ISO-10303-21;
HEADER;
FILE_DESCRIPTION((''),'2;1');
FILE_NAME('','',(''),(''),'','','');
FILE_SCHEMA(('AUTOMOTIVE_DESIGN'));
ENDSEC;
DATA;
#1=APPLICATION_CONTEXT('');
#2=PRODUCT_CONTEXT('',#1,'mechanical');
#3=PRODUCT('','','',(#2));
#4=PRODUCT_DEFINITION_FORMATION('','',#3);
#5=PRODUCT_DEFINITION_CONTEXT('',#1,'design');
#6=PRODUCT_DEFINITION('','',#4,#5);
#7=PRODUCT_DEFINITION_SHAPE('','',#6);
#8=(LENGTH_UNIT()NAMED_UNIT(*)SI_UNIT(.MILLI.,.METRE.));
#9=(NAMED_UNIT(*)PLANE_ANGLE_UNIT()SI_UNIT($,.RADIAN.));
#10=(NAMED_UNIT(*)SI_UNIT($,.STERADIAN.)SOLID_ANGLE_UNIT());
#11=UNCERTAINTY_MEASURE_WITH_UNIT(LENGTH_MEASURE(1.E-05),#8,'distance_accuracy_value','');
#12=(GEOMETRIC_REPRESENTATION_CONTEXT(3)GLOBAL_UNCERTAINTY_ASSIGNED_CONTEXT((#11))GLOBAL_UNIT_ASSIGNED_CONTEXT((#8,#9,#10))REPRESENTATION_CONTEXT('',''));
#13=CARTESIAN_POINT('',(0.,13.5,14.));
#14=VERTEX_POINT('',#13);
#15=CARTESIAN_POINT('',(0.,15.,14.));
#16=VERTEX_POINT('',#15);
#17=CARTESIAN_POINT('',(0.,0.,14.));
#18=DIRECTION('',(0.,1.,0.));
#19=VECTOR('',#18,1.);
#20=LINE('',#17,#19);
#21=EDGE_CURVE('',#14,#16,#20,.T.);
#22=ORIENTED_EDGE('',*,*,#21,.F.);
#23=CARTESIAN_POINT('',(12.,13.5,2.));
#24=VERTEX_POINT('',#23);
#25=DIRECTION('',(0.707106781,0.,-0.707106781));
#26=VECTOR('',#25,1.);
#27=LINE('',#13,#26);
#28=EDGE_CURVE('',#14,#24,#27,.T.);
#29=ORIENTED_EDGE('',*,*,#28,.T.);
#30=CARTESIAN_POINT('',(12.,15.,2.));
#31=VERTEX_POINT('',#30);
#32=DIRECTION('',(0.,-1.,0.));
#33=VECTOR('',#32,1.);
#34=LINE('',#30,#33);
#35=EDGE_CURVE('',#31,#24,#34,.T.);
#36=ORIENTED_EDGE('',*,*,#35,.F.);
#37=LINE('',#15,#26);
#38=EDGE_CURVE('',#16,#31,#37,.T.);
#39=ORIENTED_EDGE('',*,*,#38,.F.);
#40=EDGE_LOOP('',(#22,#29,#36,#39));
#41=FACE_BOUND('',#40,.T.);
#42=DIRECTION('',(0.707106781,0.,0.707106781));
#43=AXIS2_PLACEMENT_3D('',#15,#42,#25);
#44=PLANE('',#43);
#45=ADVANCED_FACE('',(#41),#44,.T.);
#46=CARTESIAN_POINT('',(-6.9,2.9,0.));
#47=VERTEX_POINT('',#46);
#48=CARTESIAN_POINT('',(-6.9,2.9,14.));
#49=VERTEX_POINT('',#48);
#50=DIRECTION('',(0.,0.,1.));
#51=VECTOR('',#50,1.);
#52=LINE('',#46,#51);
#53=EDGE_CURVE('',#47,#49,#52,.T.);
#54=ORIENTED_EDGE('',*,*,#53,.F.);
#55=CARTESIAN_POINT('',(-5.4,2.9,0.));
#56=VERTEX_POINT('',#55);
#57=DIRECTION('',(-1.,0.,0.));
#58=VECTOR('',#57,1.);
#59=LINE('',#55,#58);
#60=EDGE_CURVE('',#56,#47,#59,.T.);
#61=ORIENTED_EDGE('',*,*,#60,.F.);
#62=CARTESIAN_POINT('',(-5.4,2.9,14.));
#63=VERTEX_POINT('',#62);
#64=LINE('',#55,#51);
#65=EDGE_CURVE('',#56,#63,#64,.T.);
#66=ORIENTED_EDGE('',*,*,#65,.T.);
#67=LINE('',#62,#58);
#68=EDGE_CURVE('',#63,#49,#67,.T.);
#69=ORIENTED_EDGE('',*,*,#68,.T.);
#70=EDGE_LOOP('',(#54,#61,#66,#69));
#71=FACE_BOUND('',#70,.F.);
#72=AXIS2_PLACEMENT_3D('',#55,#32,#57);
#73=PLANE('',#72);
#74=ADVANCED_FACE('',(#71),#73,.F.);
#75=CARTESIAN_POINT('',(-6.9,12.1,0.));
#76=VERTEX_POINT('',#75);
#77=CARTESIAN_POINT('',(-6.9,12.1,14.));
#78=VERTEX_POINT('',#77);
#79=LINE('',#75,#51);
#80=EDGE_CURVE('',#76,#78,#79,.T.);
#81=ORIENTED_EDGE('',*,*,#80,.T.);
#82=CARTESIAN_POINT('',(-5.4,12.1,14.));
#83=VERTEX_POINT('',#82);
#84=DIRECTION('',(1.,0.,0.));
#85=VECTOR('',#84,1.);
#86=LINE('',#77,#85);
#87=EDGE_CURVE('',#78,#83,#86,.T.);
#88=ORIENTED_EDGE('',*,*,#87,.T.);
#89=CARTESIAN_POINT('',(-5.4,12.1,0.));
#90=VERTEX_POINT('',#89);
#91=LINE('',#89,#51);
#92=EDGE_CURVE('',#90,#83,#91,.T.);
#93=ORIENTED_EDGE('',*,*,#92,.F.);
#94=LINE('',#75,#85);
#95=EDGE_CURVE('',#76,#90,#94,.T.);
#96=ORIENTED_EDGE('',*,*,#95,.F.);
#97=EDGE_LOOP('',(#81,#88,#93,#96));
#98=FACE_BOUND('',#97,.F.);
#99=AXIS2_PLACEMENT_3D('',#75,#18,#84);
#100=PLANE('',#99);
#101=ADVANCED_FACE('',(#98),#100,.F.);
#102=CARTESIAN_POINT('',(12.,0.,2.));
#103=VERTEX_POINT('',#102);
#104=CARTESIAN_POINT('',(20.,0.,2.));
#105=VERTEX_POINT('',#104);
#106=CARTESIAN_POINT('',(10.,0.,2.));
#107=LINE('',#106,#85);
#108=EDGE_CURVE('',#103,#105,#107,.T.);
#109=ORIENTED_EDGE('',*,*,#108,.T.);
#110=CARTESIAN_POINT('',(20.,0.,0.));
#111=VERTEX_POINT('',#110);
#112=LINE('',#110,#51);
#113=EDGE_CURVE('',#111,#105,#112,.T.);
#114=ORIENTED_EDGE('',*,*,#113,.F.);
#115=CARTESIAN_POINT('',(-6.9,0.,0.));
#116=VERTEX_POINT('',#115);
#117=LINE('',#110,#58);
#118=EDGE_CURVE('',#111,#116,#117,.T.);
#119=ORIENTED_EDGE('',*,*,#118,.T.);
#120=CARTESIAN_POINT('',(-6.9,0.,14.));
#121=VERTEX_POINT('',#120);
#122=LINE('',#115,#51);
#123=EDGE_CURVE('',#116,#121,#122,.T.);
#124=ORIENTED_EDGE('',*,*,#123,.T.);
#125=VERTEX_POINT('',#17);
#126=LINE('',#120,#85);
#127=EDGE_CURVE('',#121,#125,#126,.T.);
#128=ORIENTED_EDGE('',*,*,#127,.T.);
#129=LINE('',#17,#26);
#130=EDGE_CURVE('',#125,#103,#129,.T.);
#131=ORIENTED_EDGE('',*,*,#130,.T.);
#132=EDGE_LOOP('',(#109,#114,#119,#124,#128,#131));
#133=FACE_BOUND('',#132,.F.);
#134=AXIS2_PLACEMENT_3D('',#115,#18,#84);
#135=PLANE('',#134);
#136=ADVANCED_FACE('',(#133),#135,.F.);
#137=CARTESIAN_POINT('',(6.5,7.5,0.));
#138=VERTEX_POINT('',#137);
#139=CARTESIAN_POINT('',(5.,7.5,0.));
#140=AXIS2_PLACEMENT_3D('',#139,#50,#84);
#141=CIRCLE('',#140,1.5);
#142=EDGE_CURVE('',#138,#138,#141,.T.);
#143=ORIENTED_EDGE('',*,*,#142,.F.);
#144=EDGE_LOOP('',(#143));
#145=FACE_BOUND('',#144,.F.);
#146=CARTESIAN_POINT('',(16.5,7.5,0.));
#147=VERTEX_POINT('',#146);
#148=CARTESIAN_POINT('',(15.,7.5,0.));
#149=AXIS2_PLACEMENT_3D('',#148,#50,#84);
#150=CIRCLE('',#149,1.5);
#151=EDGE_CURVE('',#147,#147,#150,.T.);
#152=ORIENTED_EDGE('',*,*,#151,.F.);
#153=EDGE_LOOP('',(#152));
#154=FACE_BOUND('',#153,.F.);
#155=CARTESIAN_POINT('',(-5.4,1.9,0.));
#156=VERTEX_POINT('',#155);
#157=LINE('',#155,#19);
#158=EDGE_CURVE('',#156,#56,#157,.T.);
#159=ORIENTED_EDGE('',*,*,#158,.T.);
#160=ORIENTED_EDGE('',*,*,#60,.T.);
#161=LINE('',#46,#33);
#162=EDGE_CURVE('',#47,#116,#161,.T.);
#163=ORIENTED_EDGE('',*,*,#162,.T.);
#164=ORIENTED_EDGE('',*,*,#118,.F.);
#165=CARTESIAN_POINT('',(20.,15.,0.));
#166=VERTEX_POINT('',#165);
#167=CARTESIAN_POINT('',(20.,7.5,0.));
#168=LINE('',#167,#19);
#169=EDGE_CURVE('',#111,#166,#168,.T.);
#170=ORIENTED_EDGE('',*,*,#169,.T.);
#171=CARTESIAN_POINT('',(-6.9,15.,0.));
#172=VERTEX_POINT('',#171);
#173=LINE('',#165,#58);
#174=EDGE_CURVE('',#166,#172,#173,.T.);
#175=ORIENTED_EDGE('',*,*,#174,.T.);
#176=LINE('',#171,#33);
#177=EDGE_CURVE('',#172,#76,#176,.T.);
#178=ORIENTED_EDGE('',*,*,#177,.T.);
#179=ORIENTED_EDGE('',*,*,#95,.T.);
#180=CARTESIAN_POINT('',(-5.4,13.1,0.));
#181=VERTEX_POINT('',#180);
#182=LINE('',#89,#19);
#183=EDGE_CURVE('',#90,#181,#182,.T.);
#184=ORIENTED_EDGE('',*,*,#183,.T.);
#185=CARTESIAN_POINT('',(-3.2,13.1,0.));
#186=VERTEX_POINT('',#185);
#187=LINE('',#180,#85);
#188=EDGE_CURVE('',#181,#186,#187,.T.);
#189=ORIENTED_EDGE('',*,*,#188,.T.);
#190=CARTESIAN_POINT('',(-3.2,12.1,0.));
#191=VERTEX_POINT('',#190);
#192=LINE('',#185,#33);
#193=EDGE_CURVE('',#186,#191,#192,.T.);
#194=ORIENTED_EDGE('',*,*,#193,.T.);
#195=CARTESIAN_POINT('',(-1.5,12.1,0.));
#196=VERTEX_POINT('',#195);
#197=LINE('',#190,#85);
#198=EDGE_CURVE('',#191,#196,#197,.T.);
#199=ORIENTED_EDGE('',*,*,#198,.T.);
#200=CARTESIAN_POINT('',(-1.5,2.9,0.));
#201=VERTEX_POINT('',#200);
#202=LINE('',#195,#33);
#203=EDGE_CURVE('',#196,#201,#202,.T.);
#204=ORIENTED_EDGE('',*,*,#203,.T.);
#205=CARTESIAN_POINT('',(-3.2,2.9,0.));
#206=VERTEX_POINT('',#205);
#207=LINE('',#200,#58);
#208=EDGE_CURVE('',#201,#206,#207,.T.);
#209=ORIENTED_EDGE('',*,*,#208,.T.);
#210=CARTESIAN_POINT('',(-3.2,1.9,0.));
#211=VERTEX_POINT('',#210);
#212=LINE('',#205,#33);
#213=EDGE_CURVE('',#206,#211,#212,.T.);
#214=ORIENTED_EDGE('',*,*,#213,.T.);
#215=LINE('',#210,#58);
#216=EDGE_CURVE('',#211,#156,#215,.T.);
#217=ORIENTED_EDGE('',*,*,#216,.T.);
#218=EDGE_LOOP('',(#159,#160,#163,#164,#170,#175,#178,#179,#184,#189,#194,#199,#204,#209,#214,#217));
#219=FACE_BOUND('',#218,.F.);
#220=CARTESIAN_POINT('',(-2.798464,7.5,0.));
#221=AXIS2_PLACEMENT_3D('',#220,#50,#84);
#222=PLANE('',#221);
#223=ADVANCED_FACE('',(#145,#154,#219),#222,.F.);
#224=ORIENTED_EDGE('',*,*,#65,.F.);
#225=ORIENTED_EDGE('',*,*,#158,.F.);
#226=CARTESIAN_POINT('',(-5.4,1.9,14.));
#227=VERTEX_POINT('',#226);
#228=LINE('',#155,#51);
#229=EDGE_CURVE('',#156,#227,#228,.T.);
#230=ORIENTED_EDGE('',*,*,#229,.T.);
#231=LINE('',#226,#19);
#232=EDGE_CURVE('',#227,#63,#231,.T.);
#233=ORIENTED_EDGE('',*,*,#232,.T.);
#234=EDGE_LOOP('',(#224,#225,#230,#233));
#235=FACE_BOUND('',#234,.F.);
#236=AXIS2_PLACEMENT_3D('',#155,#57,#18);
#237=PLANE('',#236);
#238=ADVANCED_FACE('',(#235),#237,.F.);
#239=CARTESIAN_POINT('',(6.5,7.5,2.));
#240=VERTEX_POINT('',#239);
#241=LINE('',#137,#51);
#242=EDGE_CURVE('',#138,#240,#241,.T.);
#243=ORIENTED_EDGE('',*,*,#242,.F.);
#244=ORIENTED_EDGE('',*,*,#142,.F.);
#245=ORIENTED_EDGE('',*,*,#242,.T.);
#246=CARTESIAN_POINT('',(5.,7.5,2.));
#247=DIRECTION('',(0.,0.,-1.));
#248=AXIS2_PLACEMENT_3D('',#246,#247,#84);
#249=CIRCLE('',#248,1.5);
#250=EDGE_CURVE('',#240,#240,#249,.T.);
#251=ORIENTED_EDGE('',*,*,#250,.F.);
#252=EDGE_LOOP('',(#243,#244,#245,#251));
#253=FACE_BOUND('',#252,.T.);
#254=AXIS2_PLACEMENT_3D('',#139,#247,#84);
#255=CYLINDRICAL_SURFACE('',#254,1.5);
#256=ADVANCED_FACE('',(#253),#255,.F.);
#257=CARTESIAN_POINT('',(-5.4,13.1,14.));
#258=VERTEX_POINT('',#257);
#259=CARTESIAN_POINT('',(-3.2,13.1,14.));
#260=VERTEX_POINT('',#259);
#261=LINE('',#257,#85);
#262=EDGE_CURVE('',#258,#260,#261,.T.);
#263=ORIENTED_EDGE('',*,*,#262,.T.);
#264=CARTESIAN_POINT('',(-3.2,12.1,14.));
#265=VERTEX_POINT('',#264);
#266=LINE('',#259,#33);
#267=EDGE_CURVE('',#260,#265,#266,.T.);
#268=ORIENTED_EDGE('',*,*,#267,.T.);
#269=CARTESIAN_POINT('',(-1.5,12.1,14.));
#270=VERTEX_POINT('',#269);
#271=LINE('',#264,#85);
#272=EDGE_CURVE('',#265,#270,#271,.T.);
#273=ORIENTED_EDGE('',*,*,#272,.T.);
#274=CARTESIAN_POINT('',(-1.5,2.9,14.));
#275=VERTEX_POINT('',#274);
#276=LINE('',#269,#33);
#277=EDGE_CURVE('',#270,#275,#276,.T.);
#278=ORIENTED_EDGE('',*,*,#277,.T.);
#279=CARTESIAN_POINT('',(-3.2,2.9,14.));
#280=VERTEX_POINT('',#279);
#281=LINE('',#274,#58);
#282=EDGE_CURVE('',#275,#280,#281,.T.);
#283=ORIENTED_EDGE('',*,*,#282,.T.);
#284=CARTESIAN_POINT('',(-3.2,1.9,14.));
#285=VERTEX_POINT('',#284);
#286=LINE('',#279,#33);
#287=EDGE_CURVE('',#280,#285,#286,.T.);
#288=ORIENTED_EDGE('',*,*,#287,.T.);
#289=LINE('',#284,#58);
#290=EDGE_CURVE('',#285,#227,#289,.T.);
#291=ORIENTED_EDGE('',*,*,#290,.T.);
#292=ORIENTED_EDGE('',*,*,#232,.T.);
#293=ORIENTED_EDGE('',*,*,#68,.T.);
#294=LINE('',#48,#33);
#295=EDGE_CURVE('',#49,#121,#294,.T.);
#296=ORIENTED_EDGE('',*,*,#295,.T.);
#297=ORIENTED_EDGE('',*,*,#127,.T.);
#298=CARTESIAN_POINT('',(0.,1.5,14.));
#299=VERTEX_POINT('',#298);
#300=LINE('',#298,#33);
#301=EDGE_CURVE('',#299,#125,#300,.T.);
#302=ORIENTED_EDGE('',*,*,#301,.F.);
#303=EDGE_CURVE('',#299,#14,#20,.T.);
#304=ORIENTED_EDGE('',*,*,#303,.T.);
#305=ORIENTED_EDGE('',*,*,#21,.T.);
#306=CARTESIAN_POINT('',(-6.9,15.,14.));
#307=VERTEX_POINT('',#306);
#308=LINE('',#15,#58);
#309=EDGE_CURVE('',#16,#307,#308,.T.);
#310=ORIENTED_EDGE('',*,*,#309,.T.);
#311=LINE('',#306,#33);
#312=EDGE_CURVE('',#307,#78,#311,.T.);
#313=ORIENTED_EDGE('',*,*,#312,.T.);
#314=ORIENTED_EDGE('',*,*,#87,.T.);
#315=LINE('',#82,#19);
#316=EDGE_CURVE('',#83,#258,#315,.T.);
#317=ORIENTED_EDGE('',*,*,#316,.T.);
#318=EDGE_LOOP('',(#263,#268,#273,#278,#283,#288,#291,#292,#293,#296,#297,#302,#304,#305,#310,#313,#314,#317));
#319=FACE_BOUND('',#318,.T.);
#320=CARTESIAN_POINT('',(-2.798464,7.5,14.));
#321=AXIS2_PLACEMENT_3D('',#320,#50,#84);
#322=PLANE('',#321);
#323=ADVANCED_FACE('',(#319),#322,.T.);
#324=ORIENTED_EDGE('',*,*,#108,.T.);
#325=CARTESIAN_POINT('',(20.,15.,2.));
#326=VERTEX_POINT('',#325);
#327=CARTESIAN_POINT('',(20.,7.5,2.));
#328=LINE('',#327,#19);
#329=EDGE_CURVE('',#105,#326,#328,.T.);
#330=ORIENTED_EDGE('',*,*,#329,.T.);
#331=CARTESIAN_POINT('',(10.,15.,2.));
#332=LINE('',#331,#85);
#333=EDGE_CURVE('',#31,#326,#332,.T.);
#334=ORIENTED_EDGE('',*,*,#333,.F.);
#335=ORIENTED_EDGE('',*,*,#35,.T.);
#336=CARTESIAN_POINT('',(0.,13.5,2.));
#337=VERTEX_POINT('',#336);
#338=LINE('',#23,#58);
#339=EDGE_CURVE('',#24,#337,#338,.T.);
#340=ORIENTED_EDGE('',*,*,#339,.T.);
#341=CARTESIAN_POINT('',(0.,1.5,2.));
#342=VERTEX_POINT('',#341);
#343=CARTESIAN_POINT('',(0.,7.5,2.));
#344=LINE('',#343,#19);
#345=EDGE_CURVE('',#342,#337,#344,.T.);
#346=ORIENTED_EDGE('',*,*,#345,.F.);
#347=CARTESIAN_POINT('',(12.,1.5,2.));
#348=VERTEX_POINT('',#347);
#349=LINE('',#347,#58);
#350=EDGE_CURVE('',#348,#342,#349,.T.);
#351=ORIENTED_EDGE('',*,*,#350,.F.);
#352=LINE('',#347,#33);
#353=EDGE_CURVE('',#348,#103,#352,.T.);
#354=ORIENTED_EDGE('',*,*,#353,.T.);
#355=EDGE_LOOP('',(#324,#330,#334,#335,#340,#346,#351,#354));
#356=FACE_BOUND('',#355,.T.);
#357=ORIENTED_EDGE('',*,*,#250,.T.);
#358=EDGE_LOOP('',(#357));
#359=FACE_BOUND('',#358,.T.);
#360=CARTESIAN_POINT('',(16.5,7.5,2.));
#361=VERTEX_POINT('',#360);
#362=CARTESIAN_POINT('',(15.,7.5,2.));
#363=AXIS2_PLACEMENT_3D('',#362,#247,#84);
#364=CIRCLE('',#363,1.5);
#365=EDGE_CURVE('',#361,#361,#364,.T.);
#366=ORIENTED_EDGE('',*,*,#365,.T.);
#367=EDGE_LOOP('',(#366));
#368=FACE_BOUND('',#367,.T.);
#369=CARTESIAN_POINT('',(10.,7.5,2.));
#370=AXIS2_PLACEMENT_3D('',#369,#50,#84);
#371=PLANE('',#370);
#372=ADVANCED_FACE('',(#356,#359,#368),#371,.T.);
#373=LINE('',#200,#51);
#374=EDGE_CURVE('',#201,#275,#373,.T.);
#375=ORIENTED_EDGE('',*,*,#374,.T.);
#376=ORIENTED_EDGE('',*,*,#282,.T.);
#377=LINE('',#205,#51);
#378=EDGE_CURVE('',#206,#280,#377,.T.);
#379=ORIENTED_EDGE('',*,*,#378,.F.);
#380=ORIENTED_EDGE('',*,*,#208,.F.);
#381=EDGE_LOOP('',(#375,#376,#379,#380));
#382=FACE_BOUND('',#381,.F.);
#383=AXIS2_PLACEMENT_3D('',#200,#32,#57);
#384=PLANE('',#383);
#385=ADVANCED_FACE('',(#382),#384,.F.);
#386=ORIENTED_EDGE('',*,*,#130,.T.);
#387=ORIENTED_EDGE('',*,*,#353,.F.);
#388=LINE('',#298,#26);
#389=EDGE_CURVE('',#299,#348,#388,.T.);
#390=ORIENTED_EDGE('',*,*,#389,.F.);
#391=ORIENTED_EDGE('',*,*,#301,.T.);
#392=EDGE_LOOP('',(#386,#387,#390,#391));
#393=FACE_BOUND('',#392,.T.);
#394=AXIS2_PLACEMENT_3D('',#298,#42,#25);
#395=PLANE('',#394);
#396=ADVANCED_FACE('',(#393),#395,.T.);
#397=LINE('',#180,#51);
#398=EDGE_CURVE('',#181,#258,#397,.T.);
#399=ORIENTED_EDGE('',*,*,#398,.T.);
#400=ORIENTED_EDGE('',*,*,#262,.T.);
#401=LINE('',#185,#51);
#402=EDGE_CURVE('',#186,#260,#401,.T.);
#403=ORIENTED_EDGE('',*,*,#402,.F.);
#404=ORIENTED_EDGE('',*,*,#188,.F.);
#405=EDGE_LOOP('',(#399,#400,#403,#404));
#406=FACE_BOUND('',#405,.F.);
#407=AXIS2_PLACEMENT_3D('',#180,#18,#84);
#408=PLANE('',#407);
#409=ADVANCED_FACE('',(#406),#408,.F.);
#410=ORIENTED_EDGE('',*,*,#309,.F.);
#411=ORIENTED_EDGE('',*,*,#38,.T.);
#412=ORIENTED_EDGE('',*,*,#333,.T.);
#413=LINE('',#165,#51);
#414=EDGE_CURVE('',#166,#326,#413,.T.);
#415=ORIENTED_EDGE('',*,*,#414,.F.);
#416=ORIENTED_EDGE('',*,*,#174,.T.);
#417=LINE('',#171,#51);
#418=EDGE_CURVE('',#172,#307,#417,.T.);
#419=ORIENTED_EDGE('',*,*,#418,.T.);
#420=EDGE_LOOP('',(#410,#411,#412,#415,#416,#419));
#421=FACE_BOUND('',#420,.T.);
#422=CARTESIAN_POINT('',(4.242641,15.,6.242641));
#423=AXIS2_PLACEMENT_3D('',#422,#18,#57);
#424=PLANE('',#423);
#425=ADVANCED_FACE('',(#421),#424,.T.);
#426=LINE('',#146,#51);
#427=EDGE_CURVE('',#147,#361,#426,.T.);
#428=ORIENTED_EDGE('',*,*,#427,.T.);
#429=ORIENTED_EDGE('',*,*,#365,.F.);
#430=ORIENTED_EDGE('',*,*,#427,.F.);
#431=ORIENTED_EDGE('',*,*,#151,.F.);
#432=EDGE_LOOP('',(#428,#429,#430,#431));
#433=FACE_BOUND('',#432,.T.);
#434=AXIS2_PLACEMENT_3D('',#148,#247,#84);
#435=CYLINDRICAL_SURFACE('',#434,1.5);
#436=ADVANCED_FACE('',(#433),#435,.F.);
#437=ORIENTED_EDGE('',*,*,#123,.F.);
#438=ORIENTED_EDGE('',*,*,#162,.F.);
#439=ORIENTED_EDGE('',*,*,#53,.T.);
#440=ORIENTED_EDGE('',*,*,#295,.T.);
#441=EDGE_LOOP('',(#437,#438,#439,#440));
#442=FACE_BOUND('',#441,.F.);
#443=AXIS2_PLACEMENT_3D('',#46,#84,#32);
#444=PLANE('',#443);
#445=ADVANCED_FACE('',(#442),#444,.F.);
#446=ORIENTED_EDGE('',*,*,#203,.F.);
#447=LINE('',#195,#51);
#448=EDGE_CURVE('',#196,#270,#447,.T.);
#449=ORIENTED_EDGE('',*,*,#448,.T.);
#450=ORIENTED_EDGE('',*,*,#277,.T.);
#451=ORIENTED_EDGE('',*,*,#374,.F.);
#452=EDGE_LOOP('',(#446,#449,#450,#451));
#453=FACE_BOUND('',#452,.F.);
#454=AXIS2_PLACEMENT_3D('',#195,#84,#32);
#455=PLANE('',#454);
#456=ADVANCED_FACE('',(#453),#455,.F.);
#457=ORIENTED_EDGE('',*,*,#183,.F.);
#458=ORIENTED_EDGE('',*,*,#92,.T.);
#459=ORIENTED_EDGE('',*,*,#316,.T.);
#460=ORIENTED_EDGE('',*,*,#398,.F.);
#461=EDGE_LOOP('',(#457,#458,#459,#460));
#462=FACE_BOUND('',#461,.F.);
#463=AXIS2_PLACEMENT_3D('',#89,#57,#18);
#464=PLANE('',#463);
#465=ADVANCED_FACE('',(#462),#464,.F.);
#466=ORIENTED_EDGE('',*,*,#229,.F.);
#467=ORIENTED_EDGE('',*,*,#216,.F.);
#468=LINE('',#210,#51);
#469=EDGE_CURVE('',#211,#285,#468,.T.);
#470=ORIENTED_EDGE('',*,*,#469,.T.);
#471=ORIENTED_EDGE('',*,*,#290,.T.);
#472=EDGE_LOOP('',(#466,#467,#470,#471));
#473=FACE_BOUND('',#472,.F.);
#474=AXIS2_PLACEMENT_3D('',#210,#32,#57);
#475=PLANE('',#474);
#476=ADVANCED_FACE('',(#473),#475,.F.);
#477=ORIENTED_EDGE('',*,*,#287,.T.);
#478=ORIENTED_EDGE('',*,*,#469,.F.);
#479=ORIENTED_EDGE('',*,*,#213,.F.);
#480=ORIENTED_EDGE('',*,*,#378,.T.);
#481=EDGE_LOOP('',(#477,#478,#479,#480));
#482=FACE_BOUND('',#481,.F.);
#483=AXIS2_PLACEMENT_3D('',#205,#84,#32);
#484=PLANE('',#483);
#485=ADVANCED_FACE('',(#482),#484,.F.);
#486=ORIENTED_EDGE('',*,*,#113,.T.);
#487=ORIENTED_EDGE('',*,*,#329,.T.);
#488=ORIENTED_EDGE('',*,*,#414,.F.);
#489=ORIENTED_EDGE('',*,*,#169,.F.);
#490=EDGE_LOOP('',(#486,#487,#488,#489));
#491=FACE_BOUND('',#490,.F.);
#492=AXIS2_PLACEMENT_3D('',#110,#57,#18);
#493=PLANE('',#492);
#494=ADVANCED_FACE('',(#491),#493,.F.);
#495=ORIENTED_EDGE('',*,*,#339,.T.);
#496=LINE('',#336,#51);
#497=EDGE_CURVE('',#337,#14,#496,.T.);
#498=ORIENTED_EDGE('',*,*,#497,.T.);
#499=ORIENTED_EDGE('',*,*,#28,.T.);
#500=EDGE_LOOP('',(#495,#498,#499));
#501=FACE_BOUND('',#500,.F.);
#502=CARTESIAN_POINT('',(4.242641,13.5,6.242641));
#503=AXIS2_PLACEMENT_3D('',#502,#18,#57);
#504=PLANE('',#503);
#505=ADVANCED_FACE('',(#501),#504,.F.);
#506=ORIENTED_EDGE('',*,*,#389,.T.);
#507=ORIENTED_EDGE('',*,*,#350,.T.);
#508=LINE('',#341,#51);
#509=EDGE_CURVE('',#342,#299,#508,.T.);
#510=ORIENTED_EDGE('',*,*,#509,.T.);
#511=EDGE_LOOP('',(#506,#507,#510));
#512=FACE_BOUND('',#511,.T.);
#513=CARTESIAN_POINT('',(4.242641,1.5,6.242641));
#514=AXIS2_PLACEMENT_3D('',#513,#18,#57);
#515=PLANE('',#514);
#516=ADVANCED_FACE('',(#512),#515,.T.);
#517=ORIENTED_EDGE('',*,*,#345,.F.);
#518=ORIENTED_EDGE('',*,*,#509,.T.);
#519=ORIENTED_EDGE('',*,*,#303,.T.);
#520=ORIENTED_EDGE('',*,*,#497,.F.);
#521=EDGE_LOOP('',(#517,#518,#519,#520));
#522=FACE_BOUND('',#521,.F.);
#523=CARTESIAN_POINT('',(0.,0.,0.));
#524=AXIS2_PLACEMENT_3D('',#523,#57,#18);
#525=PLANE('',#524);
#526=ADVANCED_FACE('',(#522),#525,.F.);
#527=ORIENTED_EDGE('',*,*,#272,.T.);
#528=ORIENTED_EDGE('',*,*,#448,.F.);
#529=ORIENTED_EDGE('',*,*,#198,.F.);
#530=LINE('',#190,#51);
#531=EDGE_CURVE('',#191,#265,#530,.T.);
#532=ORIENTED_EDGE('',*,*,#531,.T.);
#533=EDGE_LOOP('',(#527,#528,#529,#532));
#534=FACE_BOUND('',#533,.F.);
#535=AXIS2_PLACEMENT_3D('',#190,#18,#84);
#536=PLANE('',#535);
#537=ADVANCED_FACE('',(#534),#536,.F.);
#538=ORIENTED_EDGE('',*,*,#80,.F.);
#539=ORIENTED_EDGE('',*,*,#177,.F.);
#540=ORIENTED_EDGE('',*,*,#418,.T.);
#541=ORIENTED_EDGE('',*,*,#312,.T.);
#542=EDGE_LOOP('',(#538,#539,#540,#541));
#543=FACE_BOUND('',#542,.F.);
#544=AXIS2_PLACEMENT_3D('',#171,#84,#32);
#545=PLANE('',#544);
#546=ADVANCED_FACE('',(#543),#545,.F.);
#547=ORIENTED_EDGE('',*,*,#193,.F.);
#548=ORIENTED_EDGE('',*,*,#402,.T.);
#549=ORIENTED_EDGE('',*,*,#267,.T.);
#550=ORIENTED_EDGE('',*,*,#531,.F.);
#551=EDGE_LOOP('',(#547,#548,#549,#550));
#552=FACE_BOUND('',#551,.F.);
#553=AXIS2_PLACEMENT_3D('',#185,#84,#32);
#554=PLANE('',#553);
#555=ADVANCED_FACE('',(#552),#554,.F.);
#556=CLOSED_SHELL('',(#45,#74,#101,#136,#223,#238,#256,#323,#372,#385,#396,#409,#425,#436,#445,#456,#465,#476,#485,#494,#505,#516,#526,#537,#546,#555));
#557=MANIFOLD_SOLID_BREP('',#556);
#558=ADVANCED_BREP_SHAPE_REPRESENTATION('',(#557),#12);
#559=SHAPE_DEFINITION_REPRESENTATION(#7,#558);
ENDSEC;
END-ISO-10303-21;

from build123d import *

# Parameters (mm, degrees)
CYLINDER001_R     = 1.5
CYLINDER001_DEPTH = 10
CYLINDER_R        = 1.5
CYLINDER_DEPTH    = 10
BOX_W             = 20
BOX_H             = 15
BOX_DEPTH         = 2
PAD_DEPTH         = 14
PAD002_DEPTH      = 1.5
PAD003_DEPTH      = 1.5


with BuildPart() as cylinder001:
    # Cylinder001 → Cylinder001 (new body)
    with BuildSketch(Plane(origin=(15, 7.5, 0), x_dir=(1, 0, 0), z_dir=(0, 0, 1))):
        Circle(CYLINDER001_R)
    extrude(amount=CYLINDER001_DEPTH)


with BuildPart() as cylinder:
    # Cylinder → Cylinder (new body)
    with BuildSketch(Plane(origin=(5, 7.5, 0), x_dir=(1, 0, 0), z_dir=(0, 0, 1))):
        Circle(CYLINDER_R)
    extrude(amount=CYLINDER_DEPTH)


with BuildPart() as cut001:
    # Box → Box (new body)
    with BuildSketch(Plane.XY):
        with Locations((10, 7.5)):
            Rectangle(BOX_W, BOX_H)
    extrude(amount=BOX_DEPTH)

    # Cut: cut Cylinder
    add(cylinder.part, mode=Mode.SUBTRACT)

    # Cut001: cut Cylinder001
    add(cylinder001.part, mode=Mode.SUBTRACT)


with BuildPart() as pad:
    # Sketch → Pad (new body)
    with BuildSketch(Plane.XY):
        Polygon((0, 15), (-6.9, 15), (-6.9, 12.1), (-5.4, 12.1), (-5.4, 13.1), (-3.2, 13.1), (-3.2, 12.1), (-1.5, 12.1), (-1.5, 2.9), (-3.2, 2.9), (-3.2, 1.9), (-5.4, 1.9), (-5.4, 2.9), (-6.9, 2.9), (-6.9, 0), (0, 0), align=None)
    extrude(amount=PAD_DEPTH)


with BuildPart() as pad002:
    # Sketch001 → Pad002 (new body)
    with BuildSketch(Plane.XZ.offset(-15)):
        Polygon((0, 14), (12, 2), (0, 2), align=None)
    extrude(amount=PAD002_DEPTH)


with BuildPart() as fusion:
    # Sketch002 → Pad003 (new body)
    with BuildSketch(Plane.XZ.offset(-1.5)):
        Polygon((0, 14), (12, 2), (0, 2), align=None)
    extrude(amount=PAD003_DEPTH)

    # Fusion: union Cut001, Pad, Pad002
    add(cut001.part)
    add(pad.part)
    add(pad002.part)


solid = fusion.part
